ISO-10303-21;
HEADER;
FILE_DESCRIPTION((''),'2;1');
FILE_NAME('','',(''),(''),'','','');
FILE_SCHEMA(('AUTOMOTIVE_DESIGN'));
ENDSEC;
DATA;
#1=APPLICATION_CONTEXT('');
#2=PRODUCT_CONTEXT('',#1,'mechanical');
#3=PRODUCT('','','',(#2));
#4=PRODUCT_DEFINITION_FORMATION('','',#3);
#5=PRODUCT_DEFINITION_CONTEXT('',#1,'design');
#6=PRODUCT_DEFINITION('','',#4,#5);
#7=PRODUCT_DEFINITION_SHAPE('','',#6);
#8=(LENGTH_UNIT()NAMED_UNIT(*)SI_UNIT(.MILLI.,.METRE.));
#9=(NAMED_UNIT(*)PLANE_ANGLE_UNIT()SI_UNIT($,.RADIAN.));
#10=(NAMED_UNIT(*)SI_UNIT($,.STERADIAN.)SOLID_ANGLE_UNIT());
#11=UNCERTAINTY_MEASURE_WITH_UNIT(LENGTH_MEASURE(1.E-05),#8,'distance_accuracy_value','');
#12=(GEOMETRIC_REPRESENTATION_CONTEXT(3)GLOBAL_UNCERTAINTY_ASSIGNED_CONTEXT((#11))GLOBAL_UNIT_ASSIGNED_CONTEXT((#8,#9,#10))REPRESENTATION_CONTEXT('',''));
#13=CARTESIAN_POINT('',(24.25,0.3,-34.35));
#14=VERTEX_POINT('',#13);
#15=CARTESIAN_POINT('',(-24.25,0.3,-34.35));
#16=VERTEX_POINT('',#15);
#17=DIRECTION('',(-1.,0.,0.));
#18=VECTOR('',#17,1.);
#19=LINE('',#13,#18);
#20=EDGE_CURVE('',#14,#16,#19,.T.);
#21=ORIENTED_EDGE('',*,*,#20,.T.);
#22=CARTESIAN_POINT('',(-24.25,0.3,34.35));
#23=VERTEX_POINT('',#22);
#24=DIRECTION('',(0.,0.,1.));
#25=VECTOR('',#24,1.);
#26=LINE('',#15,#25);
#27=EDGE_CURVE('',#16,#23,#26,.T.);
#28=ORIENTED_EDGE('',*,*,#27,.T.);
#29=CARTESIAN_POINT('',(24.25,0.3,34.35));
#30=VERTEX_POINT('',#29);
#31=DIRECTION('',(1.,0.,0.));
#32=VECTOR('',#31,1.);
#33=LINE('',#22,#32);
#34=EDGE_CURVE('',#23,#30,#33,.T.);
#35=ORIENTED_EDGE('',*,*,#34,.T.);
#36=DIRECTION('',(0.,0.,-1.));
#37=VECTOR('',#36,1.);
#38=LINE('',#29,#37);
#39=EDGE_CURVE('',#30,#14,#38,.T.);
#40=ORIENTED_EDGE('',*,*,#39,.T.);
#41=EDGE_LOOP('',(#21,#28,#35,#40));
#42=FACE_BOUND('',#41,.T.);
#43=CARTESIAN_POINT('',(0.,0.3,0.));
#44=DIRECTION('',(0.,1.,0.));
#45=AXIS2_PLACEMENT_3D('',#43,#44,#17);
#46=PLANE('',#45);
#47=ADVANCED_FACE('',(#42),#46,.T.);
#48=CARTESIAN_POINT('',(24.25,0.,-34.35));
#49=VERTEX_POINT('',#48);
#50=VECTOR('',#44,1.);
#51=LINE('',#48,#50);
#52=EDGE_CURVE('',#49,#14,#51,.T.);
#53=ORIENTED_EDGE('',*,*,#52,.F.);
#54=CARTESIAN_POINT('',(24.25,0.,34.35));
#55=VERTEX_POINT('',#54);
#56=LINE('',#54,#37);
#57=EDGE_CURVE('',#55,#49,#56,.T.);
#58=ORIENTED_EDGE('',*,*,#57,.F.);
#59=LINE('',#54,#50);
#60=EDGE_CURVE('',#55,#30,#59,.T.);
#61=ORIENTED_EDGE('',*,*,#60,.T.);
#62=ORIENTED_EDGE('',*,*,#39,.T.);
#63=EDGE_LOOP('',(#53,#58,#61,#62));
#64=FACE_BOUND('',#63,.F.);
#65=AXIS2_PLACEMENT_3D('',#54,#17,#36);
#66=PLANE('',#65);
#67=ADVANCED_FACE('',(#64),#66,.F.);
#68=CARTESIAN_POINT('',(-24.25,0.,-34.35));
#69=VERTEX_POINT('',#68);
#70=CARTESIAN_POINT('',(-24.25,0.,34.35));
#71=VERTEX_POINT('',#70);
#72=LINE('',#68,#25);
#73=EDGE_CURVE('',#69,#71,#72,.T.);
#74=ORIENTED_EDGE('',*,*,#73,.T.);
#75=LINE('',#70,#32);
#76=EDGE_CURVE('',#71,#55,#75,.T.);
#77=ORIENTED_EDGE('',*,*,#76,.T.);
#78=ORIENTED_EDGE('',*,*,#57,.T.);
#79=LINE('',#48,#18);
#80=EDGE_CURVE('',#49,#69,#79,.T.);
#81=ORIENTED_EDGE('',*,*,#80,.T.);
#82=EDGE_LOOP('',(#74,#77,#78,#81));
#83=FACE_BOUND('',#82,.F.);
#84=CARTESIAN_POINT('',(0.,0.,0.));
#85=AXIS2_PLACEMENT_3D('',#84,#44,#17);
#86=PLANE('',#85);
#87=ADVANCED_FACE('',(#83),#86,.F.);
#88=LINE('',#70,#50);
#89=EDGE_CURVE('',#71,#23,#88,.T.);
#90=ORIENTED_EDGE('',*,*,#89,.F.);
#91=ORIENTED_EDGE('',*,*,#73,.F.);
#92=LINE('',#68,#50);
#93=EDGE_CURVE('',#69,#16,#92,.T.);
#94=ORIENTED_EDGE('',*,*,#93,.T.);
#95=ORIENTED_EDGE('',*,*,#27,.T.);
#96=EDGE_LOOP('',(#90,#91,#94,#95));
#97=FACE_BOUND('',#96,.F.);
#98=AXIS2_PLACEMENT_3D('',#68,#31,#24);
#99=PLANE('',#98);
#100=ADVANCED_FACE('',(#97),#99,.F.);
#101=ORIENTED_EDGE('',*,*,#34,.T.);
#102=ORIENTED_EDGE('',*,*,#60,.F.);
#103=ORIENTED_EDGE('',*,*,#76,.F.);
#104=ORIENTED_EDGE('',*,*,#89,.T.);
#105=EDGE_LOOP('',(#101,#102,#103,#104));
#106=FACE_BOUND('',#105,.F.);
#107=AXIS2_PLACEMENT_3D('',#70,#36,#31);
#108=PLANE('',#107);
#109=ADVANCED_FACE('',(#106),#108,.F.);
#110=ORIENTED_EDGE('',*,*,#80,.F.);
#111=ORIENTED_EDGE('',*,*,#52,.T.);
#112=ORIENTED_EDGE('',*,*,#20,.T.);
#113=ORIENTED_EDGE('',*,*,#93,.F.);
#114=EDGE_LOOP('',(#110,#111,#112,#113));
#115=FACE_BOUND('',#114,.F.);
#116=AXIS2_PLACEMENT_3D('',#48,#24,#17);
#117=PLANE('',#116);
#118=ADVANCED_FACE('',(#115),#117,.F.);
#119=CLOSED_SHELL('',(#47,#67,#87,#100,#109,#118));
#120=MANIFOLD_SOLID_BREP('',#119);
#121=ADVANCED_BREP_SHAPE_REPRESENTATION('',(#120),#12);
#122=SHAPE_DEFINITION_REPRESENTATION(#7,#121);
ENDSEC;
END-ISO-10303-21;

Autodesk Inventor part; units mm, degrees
ref_plane "YZ Plane" through (0, 0, 0) normal (1, 0, 0) x (0, 1, 0)
ref_plane "XZ Plane" through (0, 0, 0) normal (0, 1, 0) x (-1, 0, 0)
ref_plane "XY Plane" through (0, 0, 0) normal (0, 0, 1) x (1, 0, 0)
sketch "Sketch1" plane through (0, 0, 0) normal (0, 1, 0) x (-1, 0, 0)
  line L0 (24.25, 34.35) -> (-24.25, 34.35)
  line L1 (-24.25, 34.35) -> (-24.25, -34.35)
  line L2 (-24.25, -34.35) -> (24.25, -34.35)
  line L3 (24.25, -34.35) -> (24.25, 34.35)
  line L4 (-24.25, 34.35) -> (24.25, -34.35) construction
  line L5 (-24.25, -34.35) -> (24.25, 34.35) construction
  point P0 (0, 0)
  point P1 (0, 0)
  dimension "d0" = 68.7
  dimension "d1" = 48.5
extrude "Extrusion1" add sketch "Sketch1" along normal blind 0.3
properties part number "LCD12864-large-film"
